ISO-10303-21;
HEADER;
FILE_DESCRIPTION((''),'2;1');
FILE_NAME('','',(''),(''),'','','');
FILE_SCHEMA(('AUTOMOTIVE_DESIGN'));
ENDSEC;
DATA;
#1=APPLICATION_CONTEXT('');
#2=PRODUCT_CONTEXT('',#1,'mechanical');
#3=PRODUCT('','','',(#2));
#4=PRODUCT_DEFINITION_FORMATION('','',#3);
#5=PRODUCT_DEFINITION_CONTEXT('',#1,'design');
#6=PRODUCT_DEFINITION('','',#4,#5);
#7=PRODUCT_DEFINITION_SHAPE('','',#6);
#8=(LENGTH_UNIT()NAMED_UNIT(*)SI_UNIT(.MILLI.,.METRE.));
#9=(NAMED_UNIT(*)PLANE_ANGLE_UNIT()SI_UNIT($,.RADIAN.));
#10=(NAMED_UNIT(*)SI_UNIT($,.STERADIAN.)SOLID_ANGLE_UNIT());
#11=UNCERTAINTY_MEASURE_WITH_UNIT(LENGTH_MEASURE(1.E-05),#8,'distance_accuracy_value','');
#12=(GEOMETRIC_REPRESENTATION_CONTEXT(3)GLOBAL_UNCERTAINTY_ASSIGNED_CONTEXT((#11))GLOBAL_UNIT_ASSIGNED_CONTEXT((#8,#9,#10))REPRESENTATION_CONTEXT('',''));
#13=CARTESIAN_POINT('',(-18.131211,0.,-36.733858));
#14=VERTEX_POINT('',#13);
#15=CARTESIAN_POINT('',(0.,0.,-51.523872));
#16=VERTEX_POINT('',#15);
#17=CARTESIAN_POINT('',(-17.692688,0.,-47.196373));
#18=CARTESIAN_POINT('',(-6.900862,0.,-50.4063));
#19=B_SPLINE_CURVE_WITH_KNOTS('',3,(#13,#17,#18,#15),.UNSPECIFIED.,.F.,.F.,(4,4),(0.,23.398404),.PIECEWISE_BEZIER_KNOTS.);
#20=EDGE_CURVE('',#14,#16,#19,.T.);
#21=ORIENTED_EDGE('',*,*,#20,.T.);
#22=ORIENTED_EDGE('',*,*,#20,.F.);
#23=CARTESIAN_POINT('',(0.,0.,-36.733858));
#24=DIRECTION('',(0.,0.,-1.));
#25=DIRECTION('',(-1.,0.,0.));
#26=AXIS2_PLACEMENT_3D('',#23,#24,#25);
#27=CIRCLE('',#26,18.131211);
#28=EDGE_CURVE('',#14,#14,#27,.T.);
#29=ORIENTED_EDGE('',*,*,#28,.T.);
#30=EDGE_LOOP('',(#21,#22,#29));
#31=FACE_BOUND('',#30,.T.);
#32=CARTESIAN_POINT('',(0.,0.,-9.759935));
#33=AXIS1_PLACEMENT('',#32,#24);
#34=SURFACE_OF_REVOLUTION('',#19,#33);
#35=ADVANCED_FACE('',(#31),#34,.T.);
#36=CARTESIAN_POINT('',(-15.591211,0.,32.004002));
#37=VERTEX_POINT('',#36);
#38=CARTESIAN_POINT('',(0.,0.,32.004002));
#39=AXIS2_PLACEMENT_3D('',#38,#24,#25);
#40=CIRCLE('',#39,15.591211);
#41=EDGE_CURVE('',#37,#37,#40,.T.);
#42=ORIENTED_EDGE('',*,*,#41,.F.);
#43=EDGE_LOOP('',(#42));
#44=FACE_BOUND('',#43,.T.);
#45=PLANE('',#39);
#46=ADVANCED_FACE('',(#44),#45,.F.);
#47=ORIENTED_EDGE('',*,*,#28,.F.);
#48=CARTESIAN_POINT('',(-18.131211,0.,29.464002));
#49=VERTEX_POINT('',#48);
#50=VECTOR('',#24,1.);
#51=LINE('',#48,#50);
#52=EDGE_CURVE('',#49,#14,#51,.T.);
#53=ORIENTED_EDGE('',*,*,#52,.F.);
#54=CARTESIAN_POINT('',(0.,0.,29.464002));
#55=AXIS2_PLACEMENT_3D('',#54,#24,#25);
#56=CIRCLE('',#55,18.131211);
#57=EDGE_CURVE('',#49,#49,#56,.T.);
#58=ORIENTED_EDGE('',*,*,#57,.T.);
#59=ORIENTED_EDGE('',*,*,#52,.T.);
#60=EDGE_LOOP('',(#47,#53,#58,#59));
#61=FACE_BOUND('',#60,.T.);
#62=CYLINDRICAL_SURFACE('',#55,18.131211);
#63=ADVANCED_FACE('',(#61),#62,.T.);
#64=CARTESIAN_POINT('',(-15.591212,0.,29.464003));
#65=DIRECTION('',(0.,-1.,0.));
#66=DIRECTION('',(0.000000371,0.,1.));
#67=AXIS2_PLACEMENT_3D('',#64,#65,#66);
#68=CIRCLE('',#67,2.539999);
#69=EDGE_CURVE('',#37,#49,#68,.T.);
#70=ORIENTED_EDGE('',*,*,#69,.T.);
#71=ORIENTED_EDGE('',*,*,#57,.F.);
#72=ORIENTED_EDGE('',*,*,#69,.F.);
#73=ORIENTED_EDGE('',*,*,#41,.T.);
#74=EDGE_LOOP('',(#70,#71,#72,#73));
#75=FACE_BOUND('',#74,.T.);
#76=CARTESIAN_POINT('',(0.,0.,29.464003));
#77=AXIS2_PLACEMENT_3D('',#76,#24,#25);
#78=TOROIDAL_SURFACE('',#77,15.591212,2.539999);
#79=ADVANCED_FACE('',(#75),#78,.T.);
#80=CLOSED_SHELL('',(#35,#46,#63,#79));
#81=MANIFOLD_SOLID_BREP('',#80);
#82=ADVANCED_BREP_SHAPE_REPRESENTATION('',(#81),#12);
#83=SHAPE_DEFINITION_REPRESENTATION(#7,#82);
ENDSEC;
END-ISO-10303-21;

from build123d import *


with BuildPart() as f1:
    # F0 (on Front) → F1 (revolve)
    with BuildSketch(Plane.XZ):
        with BuildLine():
            ThreePointArc((-15.591211, 32.004002), (-17.387262, 31.260054), (-18.131211, 29.464002))
            Line((-18.131211, 29.464002), (-18.131211, -36.733858))
            add(Edge.make_bspline(
                [(-18.131211, -36.733858), (-17.692688, -47.196373), (-6.900862, -50.4063), (0, -51.523872)],
                knots=[0, 0, 0, 0, 23.398404, 23.398404, 23.398404, 23.398404], degree=3))
            Line((0, -51.523872), (0, 32.004002))
            Line((0, 32.004002), (-15.591211, 32.004002))
        make_face()
    revolve(axis=Axis((0, 0, -9.759935), (0, 0, -1)))


solid = f1.part
